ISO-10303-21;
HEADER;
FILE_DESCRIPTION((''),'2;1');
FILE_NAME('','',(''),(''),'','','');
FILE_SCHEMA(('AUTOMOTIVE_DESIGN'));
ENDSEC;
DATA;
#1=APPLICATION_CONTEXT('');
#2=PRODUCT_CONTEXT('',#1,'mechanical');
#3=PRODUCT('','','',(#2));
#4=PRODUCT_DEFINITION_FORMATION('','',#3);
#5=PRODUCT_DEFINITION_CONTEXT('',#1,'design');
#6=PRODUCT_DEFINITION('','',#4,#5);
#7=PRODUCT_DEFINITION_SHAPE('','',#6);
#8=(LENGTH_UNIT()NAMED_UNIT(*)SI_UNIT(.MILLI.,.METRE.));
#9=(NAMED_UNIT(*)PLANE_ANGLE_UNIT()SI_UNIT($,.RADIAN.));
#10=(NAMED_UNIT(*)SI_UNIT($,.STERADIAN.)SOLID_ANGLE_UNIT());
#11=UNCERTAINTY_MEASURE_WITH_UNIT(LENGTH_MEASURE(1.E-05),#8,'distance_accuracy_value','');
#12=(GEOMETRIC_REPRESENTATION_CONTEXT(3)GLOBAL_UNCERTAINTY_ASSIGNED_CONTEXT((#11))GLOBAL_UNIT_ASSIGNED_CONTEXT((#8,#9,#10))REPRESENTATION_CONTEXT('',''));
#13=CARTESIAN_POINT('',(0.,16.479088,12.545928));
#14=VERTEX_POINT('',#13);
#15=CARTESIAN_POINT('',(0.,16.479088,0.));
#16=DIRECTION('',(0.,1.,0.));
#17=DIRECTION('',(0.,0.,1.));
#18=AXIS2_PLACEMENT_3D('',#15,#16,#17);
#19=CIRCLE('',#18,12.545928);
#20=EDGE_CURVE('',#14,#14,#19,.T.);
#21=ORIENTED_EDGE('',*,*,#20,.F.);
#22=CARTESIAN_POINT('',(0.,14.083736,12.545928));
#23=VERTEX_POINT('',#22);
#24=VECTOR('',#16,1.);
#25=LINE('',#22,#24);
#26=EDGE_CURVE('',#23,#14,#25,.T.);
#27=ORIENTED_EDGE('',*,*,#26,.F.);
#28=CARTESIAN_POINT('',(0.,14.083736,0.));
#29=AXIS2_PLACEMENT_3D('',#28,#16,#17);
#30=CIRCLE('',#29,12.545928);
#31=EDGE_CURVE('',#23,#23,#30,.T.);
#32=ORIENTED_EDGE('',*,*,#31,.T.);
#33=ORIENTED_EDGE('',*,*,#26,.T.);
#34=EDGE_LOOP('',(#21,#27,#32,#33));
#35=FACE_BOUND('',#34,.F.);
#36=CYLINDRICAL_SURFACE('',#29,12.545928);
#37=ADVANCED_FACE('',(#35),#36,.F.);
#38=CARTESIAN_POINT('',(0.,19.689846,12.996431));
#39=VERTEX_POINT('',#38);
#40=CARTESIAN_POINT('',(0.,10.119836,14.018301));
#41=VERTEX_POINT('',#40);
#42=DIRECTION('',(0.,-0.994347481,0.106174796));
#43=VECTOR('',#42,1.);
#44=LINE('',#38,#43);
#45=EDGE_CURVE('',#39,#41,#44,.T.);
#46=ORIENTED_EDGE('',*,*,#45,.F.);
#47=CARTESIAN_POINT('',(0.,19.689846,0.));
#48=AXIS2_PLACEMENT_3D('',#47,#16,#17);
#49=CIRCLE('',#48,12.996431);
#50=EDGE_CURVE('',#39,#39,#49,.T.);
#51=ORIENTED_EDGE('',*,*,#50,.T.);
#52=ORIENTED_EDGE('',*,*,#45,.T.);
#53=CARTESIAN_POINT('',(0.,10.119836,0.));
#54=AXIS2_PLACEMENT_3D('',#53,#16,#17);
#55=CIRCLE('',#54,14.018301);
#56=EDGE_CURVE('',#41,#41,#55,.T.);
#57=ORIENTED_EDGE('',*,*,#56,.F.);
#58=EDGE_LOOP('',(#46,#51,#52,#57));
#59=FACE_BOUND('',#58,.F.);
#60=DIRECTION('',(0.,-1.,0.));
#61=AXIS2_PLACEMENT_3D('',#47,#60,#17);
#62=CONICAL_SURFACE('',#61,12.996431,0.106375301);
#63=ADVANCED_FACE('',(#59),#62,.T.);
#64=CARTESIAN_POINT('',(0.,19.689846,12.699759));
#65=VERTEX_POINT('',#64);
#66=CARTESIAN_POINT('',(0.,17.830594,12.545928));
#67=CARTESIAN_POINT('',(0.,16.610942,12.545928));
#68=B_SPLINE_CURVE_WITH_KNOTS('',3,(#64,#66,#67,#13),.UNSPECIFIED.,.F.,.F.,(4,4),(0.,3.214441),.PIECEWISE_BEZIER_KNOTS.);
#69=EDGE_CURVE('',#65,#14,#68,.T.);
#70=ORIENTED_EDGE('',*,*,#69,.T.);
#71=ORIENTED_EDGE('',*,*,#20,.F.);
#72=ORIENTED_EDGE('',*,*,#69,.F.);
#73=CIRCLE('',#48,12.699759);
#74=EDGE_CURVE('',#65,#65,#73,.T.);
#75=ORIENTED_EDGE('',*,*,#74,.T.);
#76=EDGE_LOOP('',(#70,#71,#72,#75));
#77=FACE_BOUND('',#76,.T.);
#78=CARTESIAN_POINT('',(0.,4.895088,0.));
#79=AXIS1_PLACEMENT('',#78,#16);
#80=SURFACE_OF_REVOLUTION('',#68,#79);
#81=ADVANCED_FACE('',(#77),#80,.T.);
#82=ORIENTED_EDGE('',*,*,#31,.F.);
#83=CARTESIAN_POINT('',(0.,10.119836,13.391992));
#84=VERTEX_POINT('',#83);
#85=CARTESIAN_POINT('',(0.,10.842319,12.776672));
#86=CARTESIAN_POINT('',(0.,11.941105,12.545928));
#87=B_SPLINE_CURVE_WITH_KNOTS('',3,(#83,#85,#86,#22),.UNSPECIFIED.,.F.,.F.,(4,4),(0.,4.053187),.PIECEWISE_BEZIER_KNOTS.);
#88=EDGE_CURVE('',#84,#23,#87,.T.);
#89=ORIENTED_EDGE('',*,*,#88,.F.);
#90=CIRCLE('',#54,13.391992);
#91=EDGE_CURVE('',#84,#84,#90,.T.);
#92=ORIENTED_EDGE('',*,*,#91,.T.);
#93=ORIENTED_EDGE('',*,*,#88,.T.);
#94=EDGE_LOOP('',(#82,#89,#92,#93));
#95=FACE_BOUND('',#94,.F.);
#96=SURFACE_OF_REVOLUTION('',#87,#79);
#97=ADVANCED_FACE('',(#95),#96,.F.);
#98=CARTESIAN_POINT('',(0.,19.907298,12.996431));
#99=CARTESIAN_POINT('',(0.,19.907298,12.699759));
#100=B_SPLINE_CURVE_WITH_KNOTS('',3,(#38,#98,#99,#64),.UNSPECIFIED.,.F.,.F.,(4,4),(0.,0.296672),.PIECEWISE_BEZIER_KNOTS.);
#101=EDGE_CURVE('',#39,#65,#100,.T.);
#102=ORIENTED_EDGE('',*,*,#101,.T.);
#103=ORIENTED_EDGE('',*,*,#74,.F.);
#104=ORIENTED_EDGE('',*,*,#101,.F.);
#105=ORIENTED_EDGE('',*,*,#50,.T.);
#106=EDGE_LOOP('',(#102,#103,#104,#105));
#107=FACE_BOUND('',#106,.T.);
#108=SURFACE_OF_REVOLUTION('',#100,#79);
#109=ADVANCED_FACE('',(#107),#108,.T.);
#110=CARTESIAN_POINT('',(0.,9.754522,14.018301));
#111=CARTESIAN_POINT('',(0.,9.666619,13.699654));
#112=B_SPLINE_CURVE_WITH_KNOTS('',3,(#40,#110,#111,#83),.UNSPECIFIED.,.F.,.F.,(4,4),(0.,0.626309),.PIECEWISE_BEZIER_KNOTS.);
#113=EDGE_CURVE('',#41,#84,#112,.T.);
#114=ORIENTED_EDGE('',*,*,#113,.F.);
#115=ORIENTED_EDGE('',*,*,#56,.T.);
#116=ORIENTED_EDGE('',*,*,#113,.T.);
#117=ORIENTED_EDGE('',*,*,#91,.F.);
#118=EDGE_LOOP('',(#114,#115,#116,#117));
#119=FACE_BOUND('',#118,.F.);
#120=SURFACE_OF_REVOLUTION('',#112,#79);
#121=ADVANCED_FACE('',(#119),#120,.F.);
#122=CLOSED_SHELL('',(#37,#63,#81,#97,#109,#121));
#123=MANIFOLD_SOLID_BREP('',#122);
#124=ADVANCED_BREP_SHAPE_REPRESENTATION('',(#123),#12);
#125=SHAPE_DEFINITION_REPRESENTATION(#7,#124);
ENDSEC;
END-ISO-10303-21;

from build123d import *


with BuildPart() as f1:
    # F0 (on Right) → F1 (revolve)
    with BuildSketch(Plane.YZ):
        with BuildLine():
            Line((19.689846, 12.996431), (10.119836, 14.018301))
            add(Edge.make_bspline(
                [(10.119836, 14.018301), (9.754522, 14.018301), (9.666619, 13.699654), (10.119836, 13.391992)],
                knots=[0, 0, 0, 0, 0.626309, 0.626309, 0.626309, 0.626309], degree=3))
            add(Edge.make_bspline(
                [(10.119836, 13.391992), (10.842319, 12.776672), (11.941105, 12.545928), (14.083736, 12.545928)],
                knots=[0, 0, 0, 0, 4.053187, 4.053187, 4.053187, 4.053187], degree=3))
            Line((14.083736, 12.545928), (16.479088, 12.545928))
            add(Edge.make_bspline(
                [(19.689846, 12.699759), (17.830594, 12.545928), (16.610942, 12.545928), (16.479088, 12.545928)],
                knots=[0, 0, 0, 0, 3.214441, 3.214441, 3.214441, 3.214441], degree=3))
            add(Edge.make_bspline(
                [(19.689846, 12.996431), (19.907298, 12.996431), (19.907298, 12.699759), (19.689846, 12.699759)],
                knots=[0, 0, 0, 0, 0.296672, 0.296672, 0.296672, 0.296672], degree=3))
        make_face()
    revolve(axis=Axis((0, 4.895088, 0), (0, 1, 0)))


solid = f1.part
